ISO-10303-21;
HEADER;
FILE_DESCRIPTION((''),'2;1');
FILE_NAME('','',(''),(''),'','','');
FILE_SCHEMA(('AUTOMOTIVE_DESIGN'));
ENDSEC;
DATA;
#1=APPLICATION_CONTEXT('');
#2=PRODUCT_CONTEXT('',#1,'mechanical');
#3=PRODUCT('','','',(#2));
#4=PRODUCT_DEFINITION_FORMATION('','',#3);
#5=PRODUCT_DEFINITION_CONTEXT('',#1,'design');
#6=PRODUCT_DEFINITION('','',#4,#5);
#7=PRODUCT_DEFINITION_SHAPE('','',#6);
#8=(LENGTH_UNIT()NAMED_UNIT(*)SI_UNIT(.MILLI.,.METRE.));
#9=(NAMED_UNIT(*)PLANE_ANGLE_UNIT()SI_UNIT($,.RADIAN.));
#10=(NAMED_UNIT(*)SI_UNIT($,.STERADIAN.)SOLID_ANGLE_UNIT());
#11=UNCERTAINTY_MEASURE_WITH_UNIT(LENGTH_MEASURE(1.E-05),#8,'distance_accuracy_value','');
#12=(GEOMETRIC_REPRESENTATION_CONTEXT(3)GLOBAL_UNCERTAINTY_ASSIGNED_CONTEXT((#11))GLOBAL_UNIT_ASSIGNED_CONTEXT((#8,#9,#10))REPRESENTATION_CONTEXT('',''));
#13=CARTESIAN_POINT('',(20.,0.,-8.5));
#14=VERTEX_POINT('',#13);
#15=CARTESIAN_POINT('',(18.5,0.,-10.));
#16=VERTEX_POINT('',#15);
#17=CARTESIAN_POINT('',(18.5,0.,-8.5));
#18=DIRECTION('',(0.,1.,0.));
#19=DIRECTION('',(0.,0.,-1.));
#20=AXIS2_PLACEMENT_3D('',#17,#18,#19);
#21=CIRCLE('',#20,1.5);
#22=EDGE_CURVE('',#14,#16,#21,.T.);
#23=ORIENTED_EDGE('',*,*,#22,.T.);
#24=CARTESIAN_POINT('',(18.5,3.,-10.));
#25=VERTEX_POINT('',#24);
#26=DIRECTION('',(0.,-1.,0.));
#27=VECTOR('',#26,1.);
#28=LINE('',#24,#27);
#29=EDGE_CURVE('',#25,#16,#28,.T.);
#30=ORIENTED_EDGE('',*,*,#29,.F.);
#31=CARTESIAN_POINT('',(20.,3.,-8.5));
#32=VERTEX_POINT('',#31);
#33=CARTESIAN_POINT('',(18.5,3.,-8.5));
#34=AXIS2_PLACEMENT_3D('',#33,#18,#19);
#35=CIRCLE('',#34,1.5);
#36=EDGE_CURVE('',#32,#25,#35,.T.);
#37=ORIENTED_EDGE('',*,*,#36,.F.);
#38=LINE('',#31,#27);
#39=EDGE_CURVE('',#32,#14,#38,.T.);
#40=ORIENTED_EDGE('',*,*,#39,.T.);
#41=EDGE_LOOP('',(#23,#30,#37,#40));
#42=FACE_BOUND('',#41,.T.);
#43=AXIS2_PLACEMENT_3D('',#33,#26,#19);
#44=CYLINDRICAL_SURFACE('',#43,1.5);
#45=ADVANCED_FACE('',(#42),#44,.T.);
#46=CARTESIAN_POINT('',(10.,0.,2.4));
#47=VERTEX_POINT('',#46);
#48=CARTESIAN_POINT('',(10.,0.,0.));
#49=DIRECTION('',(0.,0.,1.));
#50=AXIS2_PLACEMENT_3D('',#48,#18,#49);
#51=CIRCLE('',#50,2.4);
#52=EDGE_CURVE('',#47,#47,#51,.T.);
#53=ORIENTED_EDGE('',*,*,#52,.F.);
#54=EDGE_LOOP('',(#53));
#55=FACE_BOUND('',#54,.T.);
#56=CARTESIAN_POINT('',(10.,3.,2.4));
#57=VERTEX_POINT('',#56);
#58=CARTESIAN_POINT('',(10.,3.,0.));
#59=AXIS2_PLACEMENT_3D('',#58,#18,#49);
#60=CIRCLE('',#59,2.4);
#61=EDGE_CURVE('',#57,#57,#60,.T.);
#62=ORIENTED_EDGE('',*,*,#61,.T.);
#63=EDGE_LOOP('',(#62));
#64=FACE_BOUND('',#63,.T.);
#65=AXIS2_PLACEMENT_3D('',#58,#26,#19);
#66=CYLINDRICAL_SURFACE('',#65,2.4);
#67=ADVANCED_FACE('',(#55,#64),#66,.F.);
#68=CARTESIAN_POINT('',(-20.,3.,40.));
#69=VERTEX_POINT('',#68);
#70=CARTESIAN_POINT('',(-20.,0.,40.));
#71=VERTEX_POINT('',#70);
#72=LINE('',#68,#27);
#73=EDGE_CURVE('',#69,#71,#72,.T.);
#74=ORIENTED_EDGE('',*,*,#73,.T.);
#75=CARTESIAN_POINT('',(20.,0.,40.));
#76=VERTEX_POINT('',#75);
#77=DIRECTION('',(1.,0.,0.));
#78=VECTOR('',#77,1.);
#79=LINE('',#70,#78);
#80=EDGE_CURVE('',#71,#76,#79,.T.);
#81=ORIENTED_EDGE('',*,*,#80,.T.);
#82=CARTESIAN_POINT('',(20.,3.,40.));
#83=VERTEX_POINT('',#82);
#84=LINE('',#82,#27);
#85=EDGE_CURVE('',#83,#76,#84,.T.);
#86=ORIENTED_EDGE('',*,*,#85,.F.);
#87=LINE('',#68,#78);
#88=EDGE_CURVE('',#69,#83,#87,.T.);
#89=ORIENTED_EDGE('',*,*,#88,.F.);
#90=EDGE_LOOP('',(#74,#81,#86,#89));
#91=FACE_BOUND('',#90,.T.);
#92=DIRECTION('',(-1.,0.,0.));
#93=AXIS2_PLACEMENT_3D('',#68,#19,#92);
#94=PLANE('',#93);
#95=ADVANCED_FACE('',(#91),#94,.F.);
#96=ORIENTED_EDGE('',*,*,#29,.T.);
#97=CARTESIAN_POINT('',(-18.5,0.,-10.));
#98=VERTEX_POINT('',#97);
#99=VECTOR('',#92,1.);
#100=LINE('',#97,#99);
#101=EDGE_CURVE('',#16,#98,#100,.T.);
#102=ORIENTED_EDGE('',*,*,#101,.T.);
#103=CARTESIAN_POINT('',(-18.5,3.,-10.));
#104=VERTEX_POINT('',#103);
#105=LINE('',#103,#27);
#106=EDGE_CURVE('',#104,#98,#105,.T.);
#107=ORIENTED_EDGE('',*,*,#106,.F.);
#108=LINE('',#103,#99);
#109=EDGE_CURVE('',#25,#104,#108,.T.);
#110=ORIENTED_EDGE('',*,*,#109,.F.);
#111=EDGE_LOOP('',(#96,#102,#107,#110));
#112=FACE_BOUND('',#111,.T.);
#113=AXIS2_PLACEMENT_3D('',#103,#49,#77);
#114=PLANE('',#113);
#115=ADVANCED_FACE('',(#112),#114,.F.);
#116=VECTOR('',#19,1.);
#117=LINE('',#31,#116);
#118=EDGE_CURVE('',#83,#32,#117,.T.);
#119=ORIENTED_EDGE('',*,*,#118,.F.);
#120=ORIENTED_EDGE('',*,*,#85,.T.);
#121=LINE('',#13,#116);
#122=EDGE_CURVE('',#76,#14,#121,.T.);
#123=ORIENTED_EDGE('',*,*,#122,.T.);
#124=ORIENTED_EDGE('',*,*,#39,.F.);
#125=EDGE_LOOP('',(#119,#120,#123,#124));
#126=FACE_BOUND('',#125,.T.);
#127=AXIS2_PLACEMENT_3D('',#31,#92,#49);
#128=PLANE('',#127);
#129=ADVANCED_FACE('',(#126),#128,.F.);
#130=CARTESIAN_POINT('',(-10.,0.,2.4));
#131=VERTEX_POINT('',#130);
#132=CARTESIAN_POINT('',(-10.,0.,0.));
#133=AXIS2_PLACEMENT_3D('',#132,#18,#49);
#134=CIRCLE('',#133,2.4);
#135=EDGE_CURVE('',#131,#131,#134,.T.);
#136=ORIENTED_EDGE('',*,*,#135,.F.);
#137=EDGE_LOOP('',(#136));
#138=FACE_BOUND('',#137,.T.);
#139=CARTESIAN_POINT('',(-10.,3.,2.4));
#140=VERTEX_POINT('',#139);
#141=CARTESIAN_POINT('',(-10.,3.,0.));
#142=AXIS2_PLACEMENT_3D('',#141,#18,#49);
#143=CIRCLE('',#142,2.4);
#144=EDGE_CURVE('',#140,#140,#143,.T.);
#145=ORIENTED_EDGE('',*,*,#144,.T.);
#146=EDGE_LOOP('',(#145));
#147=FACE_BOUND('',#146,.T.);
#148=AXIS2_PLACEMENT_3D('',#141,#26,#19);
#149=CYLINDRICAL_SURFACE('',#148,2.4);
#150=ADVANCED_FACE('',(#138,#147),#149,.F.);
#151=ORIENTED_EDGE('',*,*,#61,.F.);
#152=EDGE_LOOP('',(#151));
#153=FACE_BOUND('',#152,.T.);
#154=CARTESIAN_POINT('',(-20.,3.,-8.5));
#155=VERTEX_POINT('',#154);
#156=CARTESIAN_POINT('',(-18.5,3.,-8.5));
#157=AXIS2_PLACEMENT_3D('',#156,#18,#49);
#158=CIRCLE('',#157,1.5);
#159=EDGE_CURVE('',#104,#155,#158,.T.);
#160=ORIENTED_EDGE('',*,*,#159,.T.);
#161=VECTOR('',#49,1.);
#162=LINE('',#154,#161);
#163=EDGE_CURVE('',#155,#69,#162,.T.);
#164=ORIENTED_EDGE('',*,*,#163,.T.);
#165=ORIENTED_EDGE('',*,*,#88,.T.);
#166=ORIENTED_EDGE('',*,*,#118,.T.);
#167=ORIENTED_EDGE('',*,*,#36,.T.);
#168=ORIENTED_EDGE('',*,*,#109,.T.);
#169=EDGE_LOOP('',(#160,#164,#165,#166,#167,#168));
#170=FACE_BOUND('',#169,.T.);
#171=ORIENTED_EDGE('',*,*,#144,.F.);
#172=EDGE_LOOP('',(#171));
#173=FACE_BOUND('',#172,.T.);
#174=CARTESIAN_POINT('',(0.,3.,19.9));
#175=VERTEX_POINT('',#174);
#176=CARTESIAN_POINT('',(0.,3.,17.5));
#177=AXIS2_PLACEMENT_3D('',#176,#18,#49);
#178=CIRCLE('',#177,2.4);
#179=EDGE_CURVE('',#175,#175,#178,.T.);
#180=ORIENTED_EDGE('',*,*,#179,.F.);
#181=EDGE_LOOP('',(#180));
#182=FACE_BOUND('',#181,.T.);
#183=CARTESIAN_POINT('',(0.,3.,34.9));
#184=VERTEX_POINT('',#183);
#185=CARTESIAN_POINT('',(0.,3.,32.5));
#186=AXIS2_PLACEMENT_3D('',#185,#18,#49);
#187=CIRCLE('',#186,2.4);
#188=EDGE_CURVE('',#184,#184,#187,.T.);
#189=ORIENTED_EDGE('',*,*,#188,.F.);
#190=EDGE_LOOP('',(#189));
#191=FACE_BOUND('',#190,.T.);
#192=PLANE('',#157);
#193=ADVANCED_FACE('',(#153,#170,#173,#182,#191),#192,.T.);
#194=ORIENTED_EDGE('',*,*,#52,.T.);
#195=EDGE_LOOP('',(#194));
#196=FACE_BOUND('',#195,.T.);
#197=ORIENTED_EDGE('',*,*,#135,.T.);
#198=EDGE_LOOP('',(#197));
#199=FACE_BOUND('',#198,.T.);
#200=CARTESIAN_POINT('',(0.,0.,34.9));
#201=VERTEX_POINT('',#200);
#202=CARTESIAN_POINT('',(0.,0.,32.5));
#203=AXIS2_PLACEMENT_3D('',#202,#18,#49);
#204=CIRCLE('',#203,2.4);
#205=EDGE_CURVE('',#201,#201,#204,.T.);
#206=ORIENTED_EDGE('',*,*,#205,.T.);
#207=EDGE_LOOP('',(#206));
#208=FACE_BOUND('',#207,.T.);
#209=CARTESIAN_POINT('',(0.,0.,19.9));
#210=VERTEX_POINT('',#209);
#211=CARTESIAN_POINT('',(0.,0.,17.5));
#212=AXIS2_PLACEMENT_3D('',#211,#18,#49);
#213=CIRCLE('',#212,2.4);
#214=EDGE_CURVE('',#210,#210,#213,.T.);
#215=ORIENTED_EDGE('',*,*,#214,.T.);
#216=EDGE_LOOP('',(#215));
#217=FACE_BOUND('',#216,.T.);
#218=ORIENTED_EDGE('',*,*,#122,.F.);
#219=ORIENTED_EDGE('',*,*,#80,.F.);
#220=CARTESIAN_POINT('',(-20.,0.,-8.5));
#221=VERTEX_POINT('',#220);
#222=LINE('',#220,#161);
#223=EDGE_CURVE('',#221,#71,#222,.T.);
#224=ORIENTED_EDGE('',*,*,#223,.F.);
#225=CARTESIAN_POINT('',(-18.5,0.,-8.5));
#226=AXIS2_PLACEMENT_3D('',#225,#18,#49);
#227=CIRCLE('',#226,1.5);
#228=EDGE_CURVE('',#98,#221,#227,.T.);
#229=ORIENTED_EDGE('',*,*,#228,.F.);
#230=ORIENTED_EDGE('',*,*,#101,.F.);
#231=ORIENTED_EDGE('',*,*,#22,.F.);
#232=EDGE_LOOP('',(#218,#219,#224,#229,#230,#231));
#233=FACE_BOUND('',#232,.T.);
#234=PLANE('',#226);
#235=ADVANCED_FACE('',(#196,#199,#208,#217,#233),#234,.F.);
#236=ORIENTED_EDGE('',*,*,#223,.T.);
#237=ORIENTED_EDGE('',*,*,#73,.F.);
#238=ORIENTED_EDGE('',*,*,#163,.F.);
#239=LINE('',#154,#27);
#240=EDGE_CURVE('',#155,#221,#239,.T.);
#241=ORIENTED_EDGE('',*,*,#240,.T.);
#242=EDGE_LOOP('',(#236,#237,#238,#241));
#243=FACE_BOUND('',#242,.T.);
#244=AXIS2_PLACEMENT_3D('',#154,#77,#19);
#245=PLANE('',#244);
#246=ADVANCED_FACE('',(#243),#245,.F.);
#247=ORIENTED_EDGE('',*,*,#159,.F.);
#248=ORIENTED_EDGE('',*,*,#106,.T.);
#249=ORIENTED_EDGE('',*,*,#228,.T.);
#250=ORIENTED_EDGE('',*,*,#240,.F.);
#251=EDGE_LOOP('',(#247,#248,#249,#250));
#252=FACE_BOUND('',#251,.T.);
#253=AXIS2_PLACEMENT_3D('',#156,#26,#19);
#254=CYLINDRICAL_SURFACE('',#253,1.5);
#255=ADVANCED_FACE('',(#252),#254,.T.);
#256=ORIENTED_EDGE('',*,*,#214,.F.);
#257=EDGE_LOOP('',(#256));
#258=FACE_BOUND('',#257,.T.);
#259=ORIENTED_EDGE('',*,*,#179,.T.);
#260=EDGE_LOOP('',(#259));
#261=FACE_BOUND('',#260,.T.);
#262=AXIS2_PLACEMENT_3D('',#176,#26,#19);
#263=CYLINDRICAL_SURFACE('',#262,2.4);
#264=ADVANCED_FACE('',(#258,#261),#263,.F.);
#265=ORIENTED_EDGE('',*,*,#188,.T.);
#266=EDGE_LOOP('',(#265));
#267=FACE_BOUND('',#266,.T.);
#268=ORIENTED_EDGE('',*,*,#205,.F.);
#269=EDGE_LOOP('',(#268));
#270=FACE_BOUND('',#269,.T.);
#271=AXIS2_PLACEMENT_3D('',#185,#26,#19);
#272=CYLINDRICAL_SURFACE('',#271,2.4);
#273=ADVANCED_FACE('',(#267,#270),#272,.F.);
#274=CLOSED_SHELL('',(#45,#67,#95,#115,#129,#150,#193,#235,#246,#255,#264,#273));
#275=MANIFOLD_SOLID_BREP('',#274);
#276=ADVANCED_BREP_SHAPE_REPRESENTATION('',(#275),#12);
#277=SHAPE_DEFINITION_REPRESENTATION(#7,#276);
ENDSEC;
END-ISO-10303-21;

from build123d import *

# Parameters (mm, degrees)
SKETCH1_R           = 2.4
BOSS_EXTRUDE1_DEPTH = 3


with BuildPart() as part:
    # Sketch1 → Boss-Extrude1 (new body)
    with BuildSketch(Plane(origin=(0, 0, 0), x_dir=(1, 0, 0), z_dir=(0, 1, 0))):
        with BuildLine():
            Line((-18.5, 10), (18.5, 10))
            ThreePointArc((18.5, 10), (19.560660172, 9.560660172), (20, 8.5))
            Line((20, 8.5), (20, -40))
            Line((20, -40), (-20, -40))
            Line((-20, -40), (-20, 8.5))
            ThreePointArc((-20, 8.5), (-19.560660172, 9.560660172), (-18.5, 10))
        make_face()
        with Locations(Location((-10, 0, 0), (0, 0, 270))):
            Circle(SKETCH1_R, mode=Mode.SUBTRACT)
        with Locations(Location((10, 0, 0), (0, 0, 270))):
            Circle(SKETCH1_R, mode=Mode.SUBTRACT)
        with Locations(Location((0, -32.5, 0), (0, 0, 270))):
            Circle(SKETCH1_R, mode=Mode.SUBTRACT)
        with Locations(Location((0, -17.5, 0), (0, 0, 270))):
            Circle(SKETCH1_R, mode=Mode.SUBTRACT)
    extrude(amount=BOSS_EXTRUDE1_DEPTH)


solid = part.part
